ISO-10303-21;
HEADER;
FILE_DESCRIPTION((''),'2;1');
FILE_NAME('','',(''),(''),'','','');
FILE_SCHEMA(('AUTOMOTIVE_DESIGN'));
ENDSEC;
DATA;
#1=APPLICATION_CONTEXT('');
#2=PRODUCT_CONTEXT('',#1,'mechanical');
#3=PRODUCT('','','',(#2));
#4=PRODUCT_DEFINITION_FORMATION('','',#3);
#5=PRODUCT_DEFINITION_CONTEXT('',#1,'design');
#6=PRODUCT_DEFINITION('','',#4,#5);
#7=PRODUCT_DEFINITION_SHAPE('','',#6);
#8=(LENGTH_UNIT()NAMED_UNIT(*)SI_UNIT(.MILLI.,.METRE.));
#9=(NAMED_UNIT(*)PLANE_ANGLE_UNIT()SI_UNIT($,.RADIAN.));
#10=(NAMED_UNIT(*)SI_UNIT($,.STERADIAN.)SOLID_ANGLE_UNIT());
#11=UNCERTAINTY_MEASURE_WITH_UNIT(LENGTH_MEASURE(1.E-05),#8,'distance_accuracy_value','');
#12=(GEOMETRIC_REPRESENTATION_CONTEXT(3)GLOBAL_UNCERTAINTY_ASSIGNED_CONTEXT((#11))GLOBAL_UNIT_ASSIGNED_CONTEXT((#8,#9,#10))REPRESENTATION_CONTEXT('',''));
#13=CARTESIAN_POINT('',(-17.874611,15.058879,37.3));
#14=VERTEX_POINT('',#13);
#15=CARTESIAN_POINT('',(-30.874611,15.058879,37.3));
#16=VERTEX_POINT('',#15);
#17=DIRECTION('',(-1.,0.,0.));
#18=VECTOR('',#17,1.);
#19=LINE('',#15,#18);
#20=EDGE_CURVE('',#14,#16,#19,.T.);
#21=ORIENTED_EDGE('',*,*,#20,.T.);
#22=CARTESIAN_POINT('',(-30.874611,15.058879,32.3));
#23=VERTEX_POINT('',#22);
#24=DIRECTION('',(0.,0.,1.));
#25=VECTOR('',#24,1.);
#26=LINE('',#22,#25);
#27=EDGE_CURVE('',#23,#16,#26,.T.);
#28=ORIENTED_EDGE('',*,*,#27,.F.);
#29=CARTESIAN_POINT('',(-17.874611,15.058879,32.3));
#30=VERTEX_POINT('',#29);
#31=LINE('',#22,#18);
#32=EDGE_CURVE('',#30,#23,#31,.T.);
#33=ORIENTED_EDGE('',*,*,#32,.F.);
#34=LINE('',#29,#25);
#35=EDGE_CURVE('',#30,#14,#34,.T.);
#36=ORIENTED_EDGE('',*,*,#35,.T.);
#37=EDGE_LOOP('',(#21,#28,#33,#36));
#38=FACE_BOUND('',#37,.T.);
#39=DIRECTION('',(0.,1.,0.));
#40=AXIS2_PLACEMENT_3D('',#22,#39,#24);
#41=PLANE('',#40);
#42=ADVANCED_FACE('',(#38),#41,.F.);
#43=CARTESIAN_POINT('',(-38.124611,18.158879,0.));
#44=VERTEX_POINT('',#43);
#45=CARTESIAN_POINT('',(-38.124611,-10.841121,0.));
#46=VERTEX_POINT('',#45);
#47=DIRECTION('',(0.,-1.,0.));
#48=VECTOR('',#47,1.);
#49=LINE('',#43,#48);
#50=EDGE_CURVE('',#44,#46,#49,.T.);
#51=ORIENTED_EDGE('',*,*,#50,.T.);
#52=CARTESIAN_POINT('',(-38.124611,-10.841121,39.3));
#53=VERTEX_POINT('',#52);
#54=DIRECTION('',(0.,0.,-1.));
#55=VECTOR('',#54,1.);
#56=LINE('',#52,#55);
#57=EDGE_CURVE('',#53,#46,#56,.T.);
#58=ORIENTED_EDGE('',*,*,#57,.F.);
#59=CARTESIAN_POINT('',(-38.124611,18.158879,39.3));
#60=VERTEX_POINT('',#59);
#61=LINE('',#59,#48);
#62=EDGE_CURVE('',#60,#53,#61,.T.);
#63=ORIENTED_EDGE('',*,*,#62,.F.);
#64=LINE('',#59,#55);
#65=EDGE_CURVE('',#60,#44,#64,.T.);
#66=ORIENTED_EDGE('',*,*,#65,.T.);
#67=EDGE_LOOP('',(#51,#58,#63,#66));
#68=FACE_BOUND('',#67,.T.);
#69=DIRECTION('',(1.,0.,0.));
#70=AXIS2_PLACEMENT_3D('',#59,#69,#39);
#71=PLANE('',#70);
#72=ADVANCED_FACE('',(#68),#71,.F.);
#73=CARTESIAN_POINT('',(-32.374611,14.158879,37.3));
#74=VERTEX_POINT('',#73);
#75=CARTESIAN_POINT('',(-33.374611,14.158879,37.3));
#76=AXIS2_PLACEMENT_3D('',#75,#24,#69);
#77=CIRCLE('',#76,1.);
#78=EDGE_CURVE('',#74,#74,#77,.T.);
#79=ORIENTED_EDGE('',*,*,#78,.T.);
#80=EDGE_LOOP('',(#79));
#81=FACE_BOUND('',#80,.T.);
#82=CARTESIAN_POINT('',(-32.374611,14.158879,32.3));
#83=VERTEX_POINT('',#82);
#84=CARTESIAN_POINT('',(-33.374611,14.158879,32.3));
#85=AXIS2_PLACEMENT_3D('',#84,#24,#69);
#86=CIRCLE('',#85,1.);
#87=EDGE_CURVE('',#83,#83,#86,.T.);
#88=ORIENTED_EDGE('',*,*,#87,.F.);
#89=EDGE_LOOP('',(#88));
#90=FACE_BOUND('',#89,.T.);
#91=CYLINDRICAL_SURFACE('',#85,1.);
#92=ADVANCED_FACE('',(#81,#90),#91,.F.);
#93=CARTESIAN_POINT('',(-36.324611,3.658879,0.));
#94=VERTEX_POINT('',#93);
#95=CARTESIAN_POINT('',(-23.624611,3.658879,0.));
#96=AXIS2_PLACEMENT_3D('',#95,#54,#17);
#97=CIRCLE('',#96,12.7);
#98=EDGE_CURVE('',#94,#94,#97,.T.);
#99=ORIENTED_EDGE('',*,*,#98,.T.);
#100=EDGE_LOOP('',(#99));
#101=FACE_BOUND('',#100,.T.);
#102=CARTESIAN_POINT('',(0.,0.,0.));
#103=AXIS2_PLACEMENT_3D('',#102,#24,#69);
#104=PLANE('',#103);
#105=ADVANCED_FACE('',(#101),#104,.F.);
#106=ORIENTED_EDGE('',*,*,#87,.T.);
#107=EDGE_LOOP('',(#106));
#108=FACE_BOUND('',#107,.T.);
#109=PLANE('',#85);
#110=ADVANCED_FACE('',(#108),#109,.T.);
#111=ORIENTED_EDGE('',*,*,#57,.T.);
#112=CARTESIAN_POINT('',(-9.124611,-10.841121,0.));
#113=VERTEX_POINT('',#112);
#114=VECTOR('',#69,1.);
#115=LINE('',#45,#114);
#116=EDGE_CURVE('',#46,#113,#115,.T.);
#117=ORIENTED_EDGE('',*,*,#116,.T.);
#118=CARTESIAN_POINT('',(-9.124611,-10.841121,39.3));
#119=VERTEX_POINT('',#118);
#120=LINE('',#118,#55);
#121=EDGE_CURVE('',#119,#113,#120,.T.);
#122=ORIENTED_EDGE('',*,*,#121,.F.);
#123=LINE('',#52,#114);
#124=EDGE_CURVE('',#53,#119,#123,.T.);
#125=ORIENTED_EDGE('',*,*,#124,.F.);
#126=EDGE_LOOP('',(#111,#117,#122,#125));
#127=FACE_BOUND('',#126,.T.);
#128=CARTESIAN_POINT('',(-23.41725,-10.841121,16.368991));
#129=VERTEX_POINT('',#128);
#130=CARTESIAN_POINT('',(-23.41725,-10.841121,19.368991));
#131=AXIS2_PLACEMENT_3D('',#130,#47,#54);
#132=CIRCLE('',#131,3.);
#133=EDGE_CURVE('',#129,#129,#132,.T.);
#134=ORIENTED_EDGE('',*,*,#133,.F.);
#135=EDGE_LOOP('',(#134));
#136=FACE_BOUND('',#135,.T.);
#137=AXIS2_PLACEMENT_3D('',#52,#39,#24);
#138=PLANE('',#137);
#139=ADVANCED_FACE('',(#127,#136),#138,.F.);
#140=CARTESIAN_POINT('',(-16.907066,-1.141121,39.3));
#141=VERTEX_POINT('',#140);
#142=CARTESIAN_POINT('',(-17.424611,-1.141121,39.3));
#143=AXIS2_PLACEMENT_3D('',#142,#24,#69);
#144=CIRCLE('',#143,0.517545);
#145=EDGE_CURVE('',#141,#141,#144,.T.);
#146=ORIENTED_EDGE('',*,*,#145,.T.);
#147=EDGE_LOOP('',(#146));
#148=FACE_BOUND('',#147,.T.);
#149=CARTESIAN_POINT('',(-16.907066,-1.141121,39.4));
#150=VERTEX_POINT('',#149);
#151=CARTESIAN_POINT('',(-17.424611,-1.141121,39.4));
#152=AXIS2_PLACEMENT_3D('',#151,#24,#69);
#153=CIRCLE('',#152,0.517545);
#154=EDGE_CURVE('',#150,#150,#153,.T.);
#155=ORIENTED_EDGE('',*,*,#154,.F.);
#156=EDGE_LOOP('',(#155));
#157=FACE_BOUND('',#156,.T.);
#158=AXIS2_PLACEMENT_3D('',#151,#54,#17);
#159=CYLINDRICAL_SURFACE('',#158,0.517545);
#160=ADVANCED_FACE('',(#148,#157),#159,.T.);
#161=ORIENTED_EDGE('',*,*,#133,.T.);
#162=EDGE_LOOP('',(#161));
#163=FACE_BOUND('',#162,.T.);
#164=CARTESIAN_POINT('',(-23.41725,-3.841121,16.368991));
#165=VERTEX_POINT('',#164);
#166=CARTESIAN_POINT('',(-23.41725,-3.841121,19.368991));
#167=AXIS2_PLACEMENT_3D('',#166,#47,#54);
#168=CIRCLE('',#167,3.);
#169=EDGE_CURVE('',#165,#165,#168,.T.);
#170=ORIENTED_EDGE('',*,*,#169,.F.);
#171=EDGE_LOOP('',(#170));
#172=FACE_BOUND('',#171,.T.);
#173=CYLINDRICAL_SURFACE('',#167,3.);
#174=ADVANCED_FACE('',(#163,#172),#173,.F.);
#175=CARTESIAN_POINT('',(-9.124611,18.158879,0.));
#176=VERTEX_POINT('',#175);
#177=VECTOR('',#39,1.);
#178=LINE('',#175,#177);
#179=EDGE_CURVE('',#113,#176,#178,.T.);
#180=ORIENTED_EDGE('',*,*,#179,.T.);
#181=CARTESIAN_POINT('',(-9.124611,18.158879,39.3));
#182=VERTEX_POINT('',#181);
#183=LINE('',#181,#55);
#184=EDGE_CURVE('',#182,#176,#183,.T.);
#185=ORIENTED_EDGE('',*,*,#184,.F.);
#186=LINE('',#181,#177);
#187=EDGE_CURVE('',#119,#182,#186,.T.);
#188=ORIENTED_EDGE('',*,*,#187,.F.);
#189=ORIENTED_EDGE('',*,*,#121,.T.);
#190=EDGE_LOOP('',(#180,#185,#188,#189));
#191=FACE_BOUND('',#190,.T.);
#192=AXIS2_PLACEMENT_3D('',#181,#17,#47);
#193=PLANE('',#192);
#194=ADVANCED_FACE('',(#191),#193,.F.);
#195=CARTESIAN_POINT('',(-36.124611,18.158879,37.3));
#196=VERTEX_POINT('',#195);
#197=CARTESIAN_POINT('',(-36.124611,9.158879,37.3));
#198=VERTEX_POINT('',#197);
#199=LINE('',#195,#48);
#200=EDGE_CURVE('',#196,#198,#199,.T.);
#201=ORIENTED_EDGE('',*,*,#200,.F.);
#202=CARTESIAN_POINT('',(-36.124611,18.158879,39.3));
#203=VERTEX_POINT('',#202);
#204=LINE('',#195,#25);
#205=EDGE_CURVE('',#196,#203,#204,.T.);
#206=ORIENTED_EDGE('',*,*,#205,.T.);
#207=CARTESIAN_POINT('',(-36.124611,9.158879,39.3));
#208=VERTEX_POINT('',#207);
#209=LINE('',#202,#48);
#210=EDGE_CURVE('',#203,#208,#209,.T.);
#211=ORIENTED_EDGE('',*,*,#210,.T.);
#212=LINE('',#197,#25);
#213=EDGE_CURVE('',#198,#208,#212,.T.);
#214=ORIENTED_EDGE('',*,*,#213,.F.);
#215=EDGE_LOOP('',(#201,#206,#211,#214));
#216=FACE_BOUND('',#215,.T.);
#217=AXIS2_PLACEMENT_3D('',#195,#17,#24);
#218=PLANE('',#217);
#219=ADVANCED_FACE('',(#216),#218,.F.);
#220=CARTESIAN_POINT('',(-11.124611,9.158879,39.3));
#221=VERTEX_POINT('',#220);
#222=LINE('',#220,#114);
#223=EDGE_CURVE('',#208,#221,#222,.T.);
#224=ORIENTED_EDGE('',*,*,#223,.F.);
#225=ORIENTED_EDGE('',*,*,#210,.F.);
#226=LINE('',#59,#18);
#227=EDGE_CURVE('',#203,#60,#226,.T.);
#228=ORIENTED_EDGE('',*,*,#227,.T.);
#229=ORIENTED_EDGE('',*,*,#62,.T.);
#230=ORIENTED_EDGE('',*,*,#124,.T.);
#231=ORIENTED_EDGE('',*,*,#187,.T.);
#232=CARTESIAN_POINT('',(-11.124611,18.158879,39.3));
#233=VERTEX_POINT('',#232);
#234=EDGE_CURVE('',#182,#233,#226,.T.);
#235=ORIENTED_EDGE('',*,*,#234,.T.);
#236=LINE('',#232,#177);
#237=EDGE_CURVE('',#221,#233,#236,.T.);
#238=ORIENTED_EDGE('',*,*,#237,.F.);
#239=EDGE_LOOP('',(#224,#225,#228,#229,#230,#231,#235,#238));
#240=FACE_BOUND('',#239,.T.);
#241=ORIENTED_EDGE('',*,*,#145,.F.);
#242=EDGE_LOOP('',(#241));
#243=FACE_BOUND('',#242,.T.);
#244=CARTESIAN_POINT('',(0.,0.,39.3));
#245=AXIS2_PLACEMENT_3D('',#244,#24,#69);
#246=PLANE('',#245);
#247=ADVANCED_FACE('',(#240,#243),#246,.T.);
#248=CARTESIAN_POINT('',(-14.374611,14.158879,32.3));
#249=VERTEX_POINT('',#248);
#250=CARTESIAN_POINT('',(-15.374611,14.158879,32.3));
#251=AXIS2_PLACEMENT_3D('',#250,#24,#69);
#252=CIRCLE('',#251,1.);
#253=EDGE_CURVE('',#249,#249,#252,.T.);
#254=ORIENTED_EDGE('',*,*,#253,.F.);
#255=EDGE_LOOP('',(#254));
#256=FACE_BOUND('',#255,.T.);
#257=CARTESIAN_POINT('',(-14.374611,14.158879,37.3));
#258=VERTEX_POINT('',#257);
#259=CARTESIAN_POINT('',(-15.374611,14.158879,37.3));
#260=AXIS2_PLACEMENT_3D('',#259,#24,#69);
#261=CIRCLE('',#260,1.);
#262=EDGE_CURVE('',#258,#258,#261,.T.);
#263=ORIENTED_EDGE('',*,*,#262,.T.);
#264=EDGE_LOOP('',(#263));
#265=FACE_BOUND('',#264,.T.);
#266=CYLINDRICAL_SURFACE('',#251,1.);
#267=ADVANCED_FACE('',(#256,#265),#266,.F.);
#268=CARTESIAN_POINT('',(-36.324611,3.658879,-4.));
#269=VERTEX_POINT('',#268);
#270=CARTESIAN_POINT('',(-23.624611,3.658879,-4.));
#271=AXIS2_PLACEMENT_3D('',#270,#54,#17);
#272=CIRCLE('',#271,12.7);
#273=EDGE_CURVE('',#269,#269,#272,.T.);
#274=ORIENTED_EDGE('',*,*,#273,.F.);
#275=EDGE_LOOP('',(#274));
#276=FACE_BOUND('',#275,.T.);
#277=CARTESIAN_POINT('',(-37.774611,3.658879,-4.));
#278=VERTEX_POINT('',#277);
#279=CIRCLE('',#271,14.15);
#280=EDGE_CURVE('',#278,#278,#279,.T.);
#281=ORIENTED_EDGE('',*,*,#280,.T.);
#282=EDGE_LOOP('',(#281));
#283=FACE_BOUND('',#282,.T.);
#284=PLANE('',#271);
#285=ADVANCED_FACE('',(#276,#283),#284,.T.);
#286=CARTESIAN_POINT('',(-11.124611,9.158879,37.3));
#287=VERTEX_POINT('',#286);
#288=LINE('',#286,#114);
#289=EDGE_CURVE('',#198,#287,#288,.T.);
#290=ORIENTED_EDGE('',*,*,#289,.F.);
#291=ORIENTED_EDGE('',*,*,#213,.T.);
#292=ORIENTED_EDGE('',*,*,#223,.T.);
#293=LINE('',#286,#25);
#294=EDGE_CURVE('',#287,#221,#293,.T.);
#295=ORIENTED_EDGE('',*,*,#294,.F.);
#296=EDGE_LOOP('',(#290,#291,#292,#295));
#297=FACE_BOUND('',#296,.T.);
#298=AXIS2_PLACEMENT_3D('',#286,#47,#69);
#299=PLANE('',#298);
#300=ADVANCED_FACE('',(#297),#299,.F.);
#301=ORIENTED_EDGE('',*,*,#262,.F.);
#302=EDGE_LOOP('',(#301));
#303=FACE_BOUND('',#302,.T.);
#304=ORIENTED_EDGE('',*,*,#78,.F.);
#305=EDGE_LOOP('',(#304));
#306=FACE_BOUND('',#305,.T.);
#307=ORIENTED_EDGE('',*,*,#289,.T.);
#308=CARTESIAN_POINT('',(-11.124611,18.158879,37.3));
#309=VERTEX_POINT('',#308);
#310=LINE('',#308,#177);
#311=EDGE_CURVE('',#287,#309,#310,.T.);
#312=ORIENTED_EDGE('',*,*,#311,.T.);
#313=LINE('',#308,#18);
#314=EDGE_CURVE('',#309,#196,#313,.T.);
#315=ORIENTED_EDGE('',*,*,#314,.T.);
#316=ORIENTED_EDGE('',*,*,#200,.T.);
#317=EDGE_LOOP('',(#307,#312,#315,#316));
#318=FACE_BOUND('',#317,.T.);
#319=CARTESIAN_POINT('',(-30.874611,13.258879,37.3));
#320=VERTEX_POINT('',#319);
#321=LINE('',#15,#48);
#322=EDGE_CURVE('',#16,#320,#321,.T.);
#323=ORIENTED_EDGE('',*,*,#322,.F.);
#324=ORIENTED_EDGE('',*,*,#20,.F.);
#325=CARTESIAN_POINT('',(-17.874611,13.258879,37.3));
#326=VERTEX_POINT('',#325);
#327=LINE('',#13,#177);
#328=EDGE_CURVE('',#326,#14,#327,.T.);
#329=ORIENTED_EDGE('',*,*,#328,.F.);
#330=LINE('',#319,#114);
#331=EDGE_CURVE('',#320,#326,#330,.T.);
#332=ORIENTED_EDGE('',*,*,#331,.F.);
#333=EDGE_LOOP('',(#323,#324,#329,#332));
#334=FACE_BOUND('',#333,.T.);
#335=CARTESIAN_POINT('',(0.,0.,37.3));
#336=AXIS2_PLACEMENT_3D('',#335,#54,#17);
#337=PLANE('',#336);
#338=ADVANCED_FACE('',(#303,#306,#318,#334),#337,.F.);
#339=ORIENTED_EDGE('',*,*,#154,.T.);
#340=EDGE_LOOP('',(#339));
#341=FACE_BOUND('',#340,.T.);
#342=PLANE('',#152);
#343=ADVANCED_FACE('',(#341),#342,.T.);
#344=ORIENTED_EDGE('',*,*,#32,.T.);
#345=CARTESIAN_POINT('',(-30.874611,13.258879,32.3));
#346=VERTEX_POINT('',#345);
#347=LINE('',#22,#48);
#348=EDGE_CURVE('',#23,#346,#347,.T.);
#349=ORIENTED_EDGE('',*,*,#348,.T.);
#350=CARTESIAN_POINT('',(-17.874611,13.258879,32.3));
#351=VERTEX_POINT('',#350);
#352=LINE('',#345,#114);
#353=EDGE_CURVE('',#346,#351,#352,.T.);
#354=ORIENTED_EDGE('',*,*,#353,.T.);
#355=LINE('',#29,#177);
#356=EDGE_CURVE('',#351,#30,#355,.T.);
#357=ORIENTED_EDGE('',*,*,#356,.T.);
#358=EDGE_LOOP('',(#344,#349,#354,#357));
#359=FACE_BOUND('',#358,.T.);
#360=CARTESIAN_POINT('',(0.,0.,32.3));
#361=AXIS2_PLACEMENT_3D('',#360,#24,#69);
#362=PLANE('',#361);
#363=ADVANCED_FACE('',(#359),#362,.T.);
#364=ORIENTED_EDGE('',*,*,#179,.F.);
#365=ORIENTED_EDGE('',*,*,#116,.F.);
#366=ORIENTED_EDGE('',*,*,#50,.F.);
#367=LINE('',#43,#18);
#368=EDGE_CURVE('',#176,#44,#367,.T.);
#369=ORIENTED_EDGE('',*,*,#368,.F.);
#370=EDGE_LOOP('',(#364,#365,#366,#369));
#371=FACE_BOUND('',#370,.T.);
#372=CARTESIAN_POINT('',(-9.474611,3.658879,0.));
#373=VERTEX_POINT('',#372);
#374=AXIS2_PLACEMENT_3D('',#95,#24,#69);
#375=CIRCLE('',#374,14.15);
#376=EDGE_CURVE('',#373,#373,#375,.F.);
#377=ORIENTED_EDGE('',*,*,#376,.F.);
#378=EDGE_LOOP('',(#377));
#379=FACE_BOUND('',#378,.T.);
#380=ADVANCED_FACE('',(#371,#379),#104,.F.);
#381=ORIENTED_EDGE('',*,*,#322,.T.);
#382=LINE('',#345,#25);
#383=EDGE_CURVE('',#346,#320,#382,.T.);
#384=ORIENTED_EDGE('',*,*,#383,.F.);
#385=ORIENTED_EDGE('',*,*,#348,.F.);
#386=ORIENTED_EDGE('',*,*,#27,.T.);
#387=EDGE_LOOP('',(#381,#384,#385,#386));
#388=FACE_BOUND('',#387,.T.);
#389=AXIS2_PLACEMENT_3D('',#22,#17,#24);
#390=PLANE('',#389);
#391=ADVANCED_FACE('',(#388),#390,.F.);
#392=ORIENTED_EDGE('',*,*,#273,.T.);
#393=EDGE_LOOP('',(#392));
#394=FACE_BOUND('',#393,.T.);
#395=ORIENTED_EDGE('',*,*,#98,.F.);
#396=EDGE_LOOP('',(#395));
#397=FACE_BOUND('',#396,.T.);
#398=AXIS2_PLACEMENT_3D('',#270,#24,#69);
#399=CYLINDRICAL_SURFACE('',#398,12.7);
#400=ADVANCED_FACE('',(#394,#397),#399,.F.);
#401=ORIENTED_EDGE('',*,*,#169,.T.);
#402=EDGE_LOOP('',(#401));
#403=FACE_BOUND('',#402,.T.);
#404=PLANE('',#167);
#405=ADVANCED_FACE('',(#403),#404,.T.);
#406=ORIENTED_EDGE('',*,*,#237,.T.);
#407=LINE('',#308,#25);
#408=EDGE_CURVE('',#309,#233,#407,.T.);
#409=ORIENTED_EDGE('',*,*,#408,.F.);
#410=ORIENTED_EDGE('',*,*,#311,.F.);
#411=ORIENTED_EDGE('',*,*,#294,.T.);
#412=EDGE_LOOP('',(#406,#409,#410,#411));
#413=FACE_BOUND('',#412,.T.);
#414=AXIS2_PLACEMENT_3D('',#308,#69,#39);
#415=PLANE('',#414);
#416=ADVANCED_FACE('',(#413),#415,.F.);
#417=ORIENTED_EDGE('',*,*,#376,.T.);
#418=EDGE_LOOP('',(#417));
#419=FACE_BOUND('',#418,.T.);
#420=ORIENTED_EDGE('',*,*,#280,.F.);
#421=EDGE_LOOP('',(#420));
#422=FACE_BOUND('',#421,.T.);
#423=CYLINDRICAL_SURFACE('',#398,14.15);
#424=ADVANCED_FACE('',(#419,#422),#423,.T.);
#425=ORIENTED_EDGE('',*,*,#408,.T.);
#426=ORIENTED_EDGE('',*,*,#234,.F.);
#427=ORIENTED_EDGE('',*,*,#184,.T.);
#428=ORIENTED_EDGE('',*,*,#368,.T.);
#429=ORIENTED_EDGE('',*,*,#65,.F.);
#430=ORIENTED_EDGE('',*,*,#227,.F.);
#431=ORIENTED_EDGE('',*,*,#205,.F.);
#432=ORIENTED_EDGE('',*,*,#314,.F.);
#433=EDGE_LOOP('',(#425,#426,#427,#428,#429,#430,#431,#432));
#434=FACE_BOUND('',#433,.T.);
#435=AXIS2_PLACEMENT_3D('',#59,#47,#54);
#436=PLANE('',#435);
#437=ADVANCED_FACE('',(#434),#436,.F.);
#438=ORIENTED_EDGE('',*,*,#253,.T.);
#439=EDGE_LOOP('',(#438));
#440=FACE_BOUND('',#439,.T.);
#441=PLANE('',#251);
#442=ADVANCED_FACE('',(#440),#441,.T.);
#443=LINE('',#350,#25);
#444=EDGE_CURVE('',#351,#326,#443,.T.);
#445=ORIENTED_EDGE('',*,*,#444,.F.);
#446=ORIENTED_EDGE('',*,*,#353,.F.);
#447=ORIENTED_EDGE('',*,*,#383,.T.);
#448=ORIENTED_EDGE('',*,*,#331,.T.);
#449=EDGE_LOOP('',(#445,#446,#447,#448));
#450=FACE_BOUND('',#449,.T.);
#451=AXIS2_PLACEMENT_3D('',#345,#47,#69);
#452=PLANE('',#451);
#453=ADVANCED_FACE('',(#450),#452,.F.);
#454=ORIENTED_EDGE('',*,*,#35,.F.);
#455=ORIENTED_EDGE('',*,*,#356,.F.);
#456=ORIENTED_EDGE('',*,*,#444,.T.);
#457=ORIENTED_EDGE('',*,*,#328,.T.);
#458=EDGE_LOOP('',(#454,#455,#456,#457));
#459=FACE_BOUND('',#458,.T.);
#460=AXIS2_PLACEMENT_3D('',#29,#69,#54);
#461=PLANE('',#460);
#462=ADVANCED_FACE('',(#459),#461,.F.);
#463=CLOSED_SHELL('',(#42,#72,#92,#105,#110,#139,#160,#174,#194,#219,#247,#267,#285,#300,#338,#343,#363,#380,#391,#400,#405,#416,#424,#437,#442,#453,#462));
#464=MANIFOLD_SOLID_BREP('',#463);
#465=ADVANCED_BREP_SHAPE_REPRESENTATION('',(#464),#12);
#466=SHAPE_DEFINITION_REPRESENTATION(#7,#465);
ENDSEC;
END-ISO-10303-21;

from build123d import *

# Parameters (mm, degrees)
SKETCH2_W           = 29
SKETCH2_H           = 29
BOSS_EXTRUDE1_DEPTH = 39.3
SKETCH3_R           = 14.15
SKETCH3_R_2         = 12.7
BOSS_EXTRUDE2_DEPTH = 4
SKETCH4_W           = 25
SKETCH4_H           = 9
CUT_EXTRUDE1_DEPTH  = 2
SKETCH5_R           = 1
SKETCH5_W           = 13
SKETCH5_H           = 1.8
CUT_EXTRUDE2_DEPTH  = 5
SKETCH6_R           = 0.517544676
BOSS_EXTRUDE3_DEPTH = 0.1
SKETCH7_R           = 3
CUT_EXTRUDE3_DEPTH  = 7


with BuildPart() as part:
    # Sketch2 → Boss-Extrude1 (new body)
    with BuildSketch(Plane.XY):
        with Locations((-23.624610592, 3.658878505)):
            Rectangle(SKETCH2_W, SKETCH2_H)
    extrude(amount=BOSS_EXTRUDE1_DEPTH)

    # Sketch3 → Boss-Extrude2 (add)
    with BuildSketch(Plane(origin=(0, 0, 0), x_dir=(-1, 0, 0), z_dir=(0, 0, -1))):
        with Locations(Location((23.624610592, 3.658878505, 0), (0, 0, 180))):
            Circle(SKETCH3_R)
        with Locations((23.624610592, 3.658878505)):
            Circle(SKETCH3_R_2, mode=Mode.SUBTRACT)
    extrude(amount=BOSS_EXTRUDE2_DEPTH)

    # Sketch4 → Cut-Extrude1 (cut)
    with BuildSketch(Plane.XY.offset(39.3)):
        with Locations((-23.624610592, 13.658878505)):
            Rectangle(SKETCH4_W, SKETCH4_H)
    extrude(amount=-CUT_EXTRUDE1_DEPTH, mode=Mode.SUBTRACT)

    # Sketch5 → Cut-Extrude2 (cut)
    with BuildSketch(Plane.XY.offset(37.3)):
        with Locations((-33.374610592, 14.158878505)):
            Circle(SKETCH5_R)
        with Locations((-15.374610592, 14.158878505)):
            Circle(SKETCH5_R)
        with Locations((-24.374610592, 14.158878505)):
            Rectangle(SKETCH5_W, SKETCH5_H)
    extrude(amount=-CUT_EXTRUDE2_DEPTH, mode=Mode.SUBTRACT)

    # Sketch6 → Boss-Extrude3 (add)
    with BuildSketch(Plane.XY.offset(39.3)):
        with Locations((-17.424610592, -1.141121495)):
            Circle(SKETCH6_R)
    extrude(amount=BOSS_EXTRUDE3_DEPTH)

    # Sketch7 → Cut-Extrude3 (cut)
    with BuildSketch(Plane.XZ.offset(10.841121495)):
        with Locations(Location((-23.417250102, 19.368990784, 0), (0, 0, 270))):
            Circle(SKETCH7_R)
    extrude(amount=-CUT_EXTRUDE3_DEPTH, mode=Mode.SUBTRACT)


solid = part.part
